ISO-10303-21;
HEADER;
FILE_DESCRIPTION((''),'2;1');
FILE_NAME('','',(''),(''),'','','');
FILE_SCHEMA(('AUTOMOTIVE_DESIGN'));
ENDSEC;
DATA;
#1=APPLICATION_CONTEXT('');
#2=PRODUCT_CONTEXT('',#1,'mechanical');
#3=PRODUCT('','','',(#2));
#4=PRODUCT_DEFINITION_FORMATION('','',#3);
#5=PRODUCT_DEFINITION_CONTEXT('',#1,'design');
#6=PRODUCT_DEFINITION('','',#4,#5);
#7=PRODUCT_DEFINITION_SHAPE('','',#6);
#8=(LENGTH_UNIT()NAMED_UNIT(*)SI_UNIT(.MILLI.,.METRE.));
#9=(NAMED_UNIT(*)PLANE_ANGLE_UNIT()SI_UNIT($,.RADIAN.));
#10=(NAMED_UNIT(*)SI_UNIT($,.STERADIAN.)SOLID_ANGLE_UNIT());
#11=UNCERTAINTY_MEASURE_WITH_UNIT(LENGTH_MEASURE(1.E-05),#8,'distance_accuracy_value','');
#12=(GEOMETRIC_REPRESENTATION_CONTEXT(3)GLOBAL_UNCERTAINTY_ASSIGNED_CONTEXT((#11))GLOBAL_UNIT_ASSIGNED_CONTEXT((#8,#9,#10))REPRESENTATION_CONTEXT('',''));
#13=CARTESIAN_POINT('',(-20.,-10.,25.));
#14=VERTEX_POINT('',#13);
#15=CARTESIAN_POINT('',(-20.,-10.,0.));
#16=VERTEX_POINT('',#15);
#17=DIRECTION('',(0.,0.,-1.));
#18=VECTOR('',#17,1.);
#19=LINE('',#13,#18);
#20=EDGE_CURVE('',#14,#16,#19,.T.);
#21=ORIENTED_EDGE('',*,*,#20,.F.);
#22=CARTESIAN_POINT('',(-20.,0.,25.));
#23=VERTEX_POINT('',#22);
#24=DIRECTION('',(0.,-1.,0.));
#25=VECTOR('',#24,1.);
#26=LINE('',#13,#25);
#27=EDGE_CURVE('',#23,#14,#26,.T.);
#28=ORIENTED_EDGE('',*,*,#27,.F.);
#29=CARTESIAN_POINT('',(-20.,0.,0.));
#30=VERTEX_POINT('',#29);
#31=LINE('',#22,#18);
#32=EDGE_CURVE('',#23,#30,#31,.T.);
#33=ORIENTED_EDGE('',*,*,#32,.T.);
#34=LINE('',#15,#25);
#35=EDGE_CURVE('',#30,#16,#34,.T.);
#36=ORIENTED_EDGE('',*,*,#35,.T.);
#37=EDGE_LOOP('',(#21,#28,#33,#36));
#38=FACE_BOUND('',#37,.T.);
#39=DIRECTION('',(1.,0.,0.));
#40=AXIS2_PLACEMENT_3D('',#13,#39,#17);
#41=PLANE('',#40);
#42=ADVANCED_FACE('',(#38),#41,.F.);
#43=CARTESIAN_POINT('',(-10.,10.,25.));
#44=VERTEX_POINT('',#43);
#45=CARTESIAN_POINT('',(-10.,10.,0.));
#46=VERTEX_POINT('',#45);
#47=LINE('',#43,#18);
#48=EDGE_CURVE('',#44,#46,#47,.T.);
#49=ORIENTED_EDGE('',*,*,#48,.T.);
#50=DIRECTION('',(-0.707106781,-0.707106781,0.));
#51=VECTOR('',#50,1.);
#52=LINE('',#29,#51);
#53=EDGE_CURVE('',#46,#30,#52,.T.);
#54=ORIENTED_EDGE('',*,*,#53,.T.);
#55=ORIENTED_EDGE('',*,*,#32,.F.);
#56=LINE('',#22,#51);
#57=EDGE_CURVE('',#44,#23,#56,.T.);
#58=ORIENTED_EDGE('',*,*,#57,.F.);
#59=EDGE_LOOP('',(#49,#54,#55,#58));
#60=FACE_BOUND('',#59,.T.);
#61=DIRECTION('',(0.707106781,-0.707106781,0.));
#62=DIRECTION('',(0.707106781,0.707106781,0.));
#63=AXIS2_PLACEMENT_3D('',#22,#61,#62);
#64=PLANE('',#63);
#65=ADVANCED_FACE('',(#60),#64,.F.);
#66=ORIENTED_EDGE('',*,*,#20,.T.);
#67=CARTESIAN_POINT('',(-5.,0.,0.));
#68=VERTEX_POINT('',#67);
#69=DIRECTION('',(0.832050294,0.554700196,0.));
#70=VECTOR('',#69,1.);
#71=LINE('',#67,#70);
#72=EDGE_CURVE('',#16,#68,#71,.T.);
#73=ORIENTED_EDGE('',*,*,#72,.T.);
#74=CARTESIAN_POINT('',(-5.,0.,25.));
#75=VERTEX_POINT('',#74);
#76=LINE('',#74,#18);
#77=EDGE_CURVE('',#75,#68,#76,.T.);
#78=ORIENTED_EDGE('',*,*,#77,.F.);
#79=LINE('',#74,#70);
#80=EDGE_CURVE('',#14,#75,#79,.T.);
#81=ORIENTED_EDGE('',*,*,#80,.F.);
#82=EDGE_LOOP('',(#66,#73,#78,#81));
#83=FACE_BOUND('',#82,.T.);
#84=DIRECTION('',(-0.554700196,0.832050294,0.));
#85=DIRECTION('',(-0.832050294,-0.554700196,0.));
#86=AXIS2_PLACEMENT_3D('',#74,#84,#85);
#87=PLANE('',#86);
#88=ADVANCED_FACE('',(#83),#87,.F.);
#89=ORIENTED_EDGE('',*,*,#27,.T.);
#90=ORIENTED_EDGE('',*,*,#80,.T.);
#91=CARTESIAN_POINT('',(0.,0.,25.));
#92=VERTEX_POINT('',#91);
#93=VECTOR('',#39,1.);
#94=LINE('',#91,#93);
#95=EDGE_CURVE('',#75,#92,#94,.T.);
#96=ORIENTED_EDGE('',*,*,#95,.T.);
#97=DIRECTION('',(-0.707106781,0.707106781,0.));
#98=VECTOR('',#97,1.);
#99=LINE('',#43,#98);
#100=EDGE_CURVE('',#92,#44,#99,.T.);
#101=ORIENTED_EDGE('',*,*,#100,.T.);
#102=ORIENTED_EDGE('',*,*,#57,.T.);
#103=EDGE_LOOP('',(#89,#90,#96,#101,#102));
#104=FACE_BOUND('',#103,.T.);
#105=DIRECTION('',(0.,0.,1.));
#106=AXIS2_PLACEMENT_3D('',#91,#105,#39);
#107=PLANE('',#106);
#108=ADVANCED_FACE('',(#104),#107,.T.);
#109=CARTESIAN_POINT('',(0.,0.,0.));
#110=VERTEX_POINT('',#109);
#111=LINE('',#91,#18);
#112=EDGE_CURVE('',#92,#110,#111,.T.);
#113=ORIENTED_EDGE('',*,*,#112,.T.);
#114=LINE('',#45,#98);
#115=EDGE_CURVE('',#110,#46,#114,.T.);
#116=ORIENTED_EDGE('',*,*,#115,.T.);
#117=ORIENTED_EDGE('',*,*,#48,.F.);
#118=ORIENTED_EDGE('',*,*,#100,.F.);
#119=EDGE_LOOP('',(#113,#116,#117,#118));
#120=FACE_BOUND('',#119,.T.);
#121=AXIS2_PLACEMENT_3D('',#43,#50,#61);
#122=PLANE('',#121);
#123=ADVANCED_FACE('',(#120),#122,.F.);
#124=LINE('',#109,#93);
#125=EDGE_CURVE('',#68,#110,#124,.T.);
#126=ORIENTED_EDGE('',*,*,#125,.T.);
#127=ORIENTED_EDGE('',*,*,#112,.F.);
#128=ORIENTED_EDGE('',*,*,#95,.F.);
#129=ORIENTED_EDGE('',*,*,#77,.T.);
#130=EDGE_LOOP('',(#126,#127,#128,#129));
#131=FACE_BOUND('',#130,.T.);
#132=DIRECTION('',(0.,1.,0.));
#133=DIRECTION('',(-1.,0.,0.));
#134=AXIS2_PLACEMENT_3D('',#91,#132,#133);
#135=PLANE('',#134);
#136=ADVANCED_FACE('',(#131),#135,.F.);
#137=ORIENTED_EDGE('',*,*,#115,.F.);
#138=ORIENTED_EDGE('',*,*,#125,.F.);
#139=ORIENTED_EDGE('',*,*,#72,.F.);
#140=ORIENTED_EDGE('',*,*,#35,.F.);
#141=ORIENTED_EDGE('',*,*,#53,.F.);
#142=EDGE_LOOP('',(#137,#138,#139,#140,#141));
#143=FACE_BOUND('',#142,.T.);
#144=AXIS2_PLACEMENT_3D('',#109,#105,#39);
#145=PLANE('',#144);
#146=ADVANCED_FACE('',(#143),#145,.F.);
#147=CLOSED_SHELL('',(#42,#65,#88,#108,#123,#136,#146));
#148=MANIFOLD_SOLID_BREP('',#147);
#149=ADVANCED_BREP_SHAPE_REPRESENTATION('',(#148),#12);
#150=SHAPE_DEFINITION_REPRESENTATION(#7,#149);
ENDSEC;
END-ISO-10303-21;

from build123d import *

# Parameters (mm, degrees)
BOSS_EXTRUDE1_DEPTH = 25


with BuildPart() as part:
    # Sketch1 → Boss-Extrude1 (new body)
    with BuildSketch(Plane.XY):
        Polygon((-20, 0), (-10, 10), (0, 0), (-5, 0), (-20, -10), align=None)
    extrude(amount=BOSS_EXTRUDE1_DEPTH)


solid = part.part
